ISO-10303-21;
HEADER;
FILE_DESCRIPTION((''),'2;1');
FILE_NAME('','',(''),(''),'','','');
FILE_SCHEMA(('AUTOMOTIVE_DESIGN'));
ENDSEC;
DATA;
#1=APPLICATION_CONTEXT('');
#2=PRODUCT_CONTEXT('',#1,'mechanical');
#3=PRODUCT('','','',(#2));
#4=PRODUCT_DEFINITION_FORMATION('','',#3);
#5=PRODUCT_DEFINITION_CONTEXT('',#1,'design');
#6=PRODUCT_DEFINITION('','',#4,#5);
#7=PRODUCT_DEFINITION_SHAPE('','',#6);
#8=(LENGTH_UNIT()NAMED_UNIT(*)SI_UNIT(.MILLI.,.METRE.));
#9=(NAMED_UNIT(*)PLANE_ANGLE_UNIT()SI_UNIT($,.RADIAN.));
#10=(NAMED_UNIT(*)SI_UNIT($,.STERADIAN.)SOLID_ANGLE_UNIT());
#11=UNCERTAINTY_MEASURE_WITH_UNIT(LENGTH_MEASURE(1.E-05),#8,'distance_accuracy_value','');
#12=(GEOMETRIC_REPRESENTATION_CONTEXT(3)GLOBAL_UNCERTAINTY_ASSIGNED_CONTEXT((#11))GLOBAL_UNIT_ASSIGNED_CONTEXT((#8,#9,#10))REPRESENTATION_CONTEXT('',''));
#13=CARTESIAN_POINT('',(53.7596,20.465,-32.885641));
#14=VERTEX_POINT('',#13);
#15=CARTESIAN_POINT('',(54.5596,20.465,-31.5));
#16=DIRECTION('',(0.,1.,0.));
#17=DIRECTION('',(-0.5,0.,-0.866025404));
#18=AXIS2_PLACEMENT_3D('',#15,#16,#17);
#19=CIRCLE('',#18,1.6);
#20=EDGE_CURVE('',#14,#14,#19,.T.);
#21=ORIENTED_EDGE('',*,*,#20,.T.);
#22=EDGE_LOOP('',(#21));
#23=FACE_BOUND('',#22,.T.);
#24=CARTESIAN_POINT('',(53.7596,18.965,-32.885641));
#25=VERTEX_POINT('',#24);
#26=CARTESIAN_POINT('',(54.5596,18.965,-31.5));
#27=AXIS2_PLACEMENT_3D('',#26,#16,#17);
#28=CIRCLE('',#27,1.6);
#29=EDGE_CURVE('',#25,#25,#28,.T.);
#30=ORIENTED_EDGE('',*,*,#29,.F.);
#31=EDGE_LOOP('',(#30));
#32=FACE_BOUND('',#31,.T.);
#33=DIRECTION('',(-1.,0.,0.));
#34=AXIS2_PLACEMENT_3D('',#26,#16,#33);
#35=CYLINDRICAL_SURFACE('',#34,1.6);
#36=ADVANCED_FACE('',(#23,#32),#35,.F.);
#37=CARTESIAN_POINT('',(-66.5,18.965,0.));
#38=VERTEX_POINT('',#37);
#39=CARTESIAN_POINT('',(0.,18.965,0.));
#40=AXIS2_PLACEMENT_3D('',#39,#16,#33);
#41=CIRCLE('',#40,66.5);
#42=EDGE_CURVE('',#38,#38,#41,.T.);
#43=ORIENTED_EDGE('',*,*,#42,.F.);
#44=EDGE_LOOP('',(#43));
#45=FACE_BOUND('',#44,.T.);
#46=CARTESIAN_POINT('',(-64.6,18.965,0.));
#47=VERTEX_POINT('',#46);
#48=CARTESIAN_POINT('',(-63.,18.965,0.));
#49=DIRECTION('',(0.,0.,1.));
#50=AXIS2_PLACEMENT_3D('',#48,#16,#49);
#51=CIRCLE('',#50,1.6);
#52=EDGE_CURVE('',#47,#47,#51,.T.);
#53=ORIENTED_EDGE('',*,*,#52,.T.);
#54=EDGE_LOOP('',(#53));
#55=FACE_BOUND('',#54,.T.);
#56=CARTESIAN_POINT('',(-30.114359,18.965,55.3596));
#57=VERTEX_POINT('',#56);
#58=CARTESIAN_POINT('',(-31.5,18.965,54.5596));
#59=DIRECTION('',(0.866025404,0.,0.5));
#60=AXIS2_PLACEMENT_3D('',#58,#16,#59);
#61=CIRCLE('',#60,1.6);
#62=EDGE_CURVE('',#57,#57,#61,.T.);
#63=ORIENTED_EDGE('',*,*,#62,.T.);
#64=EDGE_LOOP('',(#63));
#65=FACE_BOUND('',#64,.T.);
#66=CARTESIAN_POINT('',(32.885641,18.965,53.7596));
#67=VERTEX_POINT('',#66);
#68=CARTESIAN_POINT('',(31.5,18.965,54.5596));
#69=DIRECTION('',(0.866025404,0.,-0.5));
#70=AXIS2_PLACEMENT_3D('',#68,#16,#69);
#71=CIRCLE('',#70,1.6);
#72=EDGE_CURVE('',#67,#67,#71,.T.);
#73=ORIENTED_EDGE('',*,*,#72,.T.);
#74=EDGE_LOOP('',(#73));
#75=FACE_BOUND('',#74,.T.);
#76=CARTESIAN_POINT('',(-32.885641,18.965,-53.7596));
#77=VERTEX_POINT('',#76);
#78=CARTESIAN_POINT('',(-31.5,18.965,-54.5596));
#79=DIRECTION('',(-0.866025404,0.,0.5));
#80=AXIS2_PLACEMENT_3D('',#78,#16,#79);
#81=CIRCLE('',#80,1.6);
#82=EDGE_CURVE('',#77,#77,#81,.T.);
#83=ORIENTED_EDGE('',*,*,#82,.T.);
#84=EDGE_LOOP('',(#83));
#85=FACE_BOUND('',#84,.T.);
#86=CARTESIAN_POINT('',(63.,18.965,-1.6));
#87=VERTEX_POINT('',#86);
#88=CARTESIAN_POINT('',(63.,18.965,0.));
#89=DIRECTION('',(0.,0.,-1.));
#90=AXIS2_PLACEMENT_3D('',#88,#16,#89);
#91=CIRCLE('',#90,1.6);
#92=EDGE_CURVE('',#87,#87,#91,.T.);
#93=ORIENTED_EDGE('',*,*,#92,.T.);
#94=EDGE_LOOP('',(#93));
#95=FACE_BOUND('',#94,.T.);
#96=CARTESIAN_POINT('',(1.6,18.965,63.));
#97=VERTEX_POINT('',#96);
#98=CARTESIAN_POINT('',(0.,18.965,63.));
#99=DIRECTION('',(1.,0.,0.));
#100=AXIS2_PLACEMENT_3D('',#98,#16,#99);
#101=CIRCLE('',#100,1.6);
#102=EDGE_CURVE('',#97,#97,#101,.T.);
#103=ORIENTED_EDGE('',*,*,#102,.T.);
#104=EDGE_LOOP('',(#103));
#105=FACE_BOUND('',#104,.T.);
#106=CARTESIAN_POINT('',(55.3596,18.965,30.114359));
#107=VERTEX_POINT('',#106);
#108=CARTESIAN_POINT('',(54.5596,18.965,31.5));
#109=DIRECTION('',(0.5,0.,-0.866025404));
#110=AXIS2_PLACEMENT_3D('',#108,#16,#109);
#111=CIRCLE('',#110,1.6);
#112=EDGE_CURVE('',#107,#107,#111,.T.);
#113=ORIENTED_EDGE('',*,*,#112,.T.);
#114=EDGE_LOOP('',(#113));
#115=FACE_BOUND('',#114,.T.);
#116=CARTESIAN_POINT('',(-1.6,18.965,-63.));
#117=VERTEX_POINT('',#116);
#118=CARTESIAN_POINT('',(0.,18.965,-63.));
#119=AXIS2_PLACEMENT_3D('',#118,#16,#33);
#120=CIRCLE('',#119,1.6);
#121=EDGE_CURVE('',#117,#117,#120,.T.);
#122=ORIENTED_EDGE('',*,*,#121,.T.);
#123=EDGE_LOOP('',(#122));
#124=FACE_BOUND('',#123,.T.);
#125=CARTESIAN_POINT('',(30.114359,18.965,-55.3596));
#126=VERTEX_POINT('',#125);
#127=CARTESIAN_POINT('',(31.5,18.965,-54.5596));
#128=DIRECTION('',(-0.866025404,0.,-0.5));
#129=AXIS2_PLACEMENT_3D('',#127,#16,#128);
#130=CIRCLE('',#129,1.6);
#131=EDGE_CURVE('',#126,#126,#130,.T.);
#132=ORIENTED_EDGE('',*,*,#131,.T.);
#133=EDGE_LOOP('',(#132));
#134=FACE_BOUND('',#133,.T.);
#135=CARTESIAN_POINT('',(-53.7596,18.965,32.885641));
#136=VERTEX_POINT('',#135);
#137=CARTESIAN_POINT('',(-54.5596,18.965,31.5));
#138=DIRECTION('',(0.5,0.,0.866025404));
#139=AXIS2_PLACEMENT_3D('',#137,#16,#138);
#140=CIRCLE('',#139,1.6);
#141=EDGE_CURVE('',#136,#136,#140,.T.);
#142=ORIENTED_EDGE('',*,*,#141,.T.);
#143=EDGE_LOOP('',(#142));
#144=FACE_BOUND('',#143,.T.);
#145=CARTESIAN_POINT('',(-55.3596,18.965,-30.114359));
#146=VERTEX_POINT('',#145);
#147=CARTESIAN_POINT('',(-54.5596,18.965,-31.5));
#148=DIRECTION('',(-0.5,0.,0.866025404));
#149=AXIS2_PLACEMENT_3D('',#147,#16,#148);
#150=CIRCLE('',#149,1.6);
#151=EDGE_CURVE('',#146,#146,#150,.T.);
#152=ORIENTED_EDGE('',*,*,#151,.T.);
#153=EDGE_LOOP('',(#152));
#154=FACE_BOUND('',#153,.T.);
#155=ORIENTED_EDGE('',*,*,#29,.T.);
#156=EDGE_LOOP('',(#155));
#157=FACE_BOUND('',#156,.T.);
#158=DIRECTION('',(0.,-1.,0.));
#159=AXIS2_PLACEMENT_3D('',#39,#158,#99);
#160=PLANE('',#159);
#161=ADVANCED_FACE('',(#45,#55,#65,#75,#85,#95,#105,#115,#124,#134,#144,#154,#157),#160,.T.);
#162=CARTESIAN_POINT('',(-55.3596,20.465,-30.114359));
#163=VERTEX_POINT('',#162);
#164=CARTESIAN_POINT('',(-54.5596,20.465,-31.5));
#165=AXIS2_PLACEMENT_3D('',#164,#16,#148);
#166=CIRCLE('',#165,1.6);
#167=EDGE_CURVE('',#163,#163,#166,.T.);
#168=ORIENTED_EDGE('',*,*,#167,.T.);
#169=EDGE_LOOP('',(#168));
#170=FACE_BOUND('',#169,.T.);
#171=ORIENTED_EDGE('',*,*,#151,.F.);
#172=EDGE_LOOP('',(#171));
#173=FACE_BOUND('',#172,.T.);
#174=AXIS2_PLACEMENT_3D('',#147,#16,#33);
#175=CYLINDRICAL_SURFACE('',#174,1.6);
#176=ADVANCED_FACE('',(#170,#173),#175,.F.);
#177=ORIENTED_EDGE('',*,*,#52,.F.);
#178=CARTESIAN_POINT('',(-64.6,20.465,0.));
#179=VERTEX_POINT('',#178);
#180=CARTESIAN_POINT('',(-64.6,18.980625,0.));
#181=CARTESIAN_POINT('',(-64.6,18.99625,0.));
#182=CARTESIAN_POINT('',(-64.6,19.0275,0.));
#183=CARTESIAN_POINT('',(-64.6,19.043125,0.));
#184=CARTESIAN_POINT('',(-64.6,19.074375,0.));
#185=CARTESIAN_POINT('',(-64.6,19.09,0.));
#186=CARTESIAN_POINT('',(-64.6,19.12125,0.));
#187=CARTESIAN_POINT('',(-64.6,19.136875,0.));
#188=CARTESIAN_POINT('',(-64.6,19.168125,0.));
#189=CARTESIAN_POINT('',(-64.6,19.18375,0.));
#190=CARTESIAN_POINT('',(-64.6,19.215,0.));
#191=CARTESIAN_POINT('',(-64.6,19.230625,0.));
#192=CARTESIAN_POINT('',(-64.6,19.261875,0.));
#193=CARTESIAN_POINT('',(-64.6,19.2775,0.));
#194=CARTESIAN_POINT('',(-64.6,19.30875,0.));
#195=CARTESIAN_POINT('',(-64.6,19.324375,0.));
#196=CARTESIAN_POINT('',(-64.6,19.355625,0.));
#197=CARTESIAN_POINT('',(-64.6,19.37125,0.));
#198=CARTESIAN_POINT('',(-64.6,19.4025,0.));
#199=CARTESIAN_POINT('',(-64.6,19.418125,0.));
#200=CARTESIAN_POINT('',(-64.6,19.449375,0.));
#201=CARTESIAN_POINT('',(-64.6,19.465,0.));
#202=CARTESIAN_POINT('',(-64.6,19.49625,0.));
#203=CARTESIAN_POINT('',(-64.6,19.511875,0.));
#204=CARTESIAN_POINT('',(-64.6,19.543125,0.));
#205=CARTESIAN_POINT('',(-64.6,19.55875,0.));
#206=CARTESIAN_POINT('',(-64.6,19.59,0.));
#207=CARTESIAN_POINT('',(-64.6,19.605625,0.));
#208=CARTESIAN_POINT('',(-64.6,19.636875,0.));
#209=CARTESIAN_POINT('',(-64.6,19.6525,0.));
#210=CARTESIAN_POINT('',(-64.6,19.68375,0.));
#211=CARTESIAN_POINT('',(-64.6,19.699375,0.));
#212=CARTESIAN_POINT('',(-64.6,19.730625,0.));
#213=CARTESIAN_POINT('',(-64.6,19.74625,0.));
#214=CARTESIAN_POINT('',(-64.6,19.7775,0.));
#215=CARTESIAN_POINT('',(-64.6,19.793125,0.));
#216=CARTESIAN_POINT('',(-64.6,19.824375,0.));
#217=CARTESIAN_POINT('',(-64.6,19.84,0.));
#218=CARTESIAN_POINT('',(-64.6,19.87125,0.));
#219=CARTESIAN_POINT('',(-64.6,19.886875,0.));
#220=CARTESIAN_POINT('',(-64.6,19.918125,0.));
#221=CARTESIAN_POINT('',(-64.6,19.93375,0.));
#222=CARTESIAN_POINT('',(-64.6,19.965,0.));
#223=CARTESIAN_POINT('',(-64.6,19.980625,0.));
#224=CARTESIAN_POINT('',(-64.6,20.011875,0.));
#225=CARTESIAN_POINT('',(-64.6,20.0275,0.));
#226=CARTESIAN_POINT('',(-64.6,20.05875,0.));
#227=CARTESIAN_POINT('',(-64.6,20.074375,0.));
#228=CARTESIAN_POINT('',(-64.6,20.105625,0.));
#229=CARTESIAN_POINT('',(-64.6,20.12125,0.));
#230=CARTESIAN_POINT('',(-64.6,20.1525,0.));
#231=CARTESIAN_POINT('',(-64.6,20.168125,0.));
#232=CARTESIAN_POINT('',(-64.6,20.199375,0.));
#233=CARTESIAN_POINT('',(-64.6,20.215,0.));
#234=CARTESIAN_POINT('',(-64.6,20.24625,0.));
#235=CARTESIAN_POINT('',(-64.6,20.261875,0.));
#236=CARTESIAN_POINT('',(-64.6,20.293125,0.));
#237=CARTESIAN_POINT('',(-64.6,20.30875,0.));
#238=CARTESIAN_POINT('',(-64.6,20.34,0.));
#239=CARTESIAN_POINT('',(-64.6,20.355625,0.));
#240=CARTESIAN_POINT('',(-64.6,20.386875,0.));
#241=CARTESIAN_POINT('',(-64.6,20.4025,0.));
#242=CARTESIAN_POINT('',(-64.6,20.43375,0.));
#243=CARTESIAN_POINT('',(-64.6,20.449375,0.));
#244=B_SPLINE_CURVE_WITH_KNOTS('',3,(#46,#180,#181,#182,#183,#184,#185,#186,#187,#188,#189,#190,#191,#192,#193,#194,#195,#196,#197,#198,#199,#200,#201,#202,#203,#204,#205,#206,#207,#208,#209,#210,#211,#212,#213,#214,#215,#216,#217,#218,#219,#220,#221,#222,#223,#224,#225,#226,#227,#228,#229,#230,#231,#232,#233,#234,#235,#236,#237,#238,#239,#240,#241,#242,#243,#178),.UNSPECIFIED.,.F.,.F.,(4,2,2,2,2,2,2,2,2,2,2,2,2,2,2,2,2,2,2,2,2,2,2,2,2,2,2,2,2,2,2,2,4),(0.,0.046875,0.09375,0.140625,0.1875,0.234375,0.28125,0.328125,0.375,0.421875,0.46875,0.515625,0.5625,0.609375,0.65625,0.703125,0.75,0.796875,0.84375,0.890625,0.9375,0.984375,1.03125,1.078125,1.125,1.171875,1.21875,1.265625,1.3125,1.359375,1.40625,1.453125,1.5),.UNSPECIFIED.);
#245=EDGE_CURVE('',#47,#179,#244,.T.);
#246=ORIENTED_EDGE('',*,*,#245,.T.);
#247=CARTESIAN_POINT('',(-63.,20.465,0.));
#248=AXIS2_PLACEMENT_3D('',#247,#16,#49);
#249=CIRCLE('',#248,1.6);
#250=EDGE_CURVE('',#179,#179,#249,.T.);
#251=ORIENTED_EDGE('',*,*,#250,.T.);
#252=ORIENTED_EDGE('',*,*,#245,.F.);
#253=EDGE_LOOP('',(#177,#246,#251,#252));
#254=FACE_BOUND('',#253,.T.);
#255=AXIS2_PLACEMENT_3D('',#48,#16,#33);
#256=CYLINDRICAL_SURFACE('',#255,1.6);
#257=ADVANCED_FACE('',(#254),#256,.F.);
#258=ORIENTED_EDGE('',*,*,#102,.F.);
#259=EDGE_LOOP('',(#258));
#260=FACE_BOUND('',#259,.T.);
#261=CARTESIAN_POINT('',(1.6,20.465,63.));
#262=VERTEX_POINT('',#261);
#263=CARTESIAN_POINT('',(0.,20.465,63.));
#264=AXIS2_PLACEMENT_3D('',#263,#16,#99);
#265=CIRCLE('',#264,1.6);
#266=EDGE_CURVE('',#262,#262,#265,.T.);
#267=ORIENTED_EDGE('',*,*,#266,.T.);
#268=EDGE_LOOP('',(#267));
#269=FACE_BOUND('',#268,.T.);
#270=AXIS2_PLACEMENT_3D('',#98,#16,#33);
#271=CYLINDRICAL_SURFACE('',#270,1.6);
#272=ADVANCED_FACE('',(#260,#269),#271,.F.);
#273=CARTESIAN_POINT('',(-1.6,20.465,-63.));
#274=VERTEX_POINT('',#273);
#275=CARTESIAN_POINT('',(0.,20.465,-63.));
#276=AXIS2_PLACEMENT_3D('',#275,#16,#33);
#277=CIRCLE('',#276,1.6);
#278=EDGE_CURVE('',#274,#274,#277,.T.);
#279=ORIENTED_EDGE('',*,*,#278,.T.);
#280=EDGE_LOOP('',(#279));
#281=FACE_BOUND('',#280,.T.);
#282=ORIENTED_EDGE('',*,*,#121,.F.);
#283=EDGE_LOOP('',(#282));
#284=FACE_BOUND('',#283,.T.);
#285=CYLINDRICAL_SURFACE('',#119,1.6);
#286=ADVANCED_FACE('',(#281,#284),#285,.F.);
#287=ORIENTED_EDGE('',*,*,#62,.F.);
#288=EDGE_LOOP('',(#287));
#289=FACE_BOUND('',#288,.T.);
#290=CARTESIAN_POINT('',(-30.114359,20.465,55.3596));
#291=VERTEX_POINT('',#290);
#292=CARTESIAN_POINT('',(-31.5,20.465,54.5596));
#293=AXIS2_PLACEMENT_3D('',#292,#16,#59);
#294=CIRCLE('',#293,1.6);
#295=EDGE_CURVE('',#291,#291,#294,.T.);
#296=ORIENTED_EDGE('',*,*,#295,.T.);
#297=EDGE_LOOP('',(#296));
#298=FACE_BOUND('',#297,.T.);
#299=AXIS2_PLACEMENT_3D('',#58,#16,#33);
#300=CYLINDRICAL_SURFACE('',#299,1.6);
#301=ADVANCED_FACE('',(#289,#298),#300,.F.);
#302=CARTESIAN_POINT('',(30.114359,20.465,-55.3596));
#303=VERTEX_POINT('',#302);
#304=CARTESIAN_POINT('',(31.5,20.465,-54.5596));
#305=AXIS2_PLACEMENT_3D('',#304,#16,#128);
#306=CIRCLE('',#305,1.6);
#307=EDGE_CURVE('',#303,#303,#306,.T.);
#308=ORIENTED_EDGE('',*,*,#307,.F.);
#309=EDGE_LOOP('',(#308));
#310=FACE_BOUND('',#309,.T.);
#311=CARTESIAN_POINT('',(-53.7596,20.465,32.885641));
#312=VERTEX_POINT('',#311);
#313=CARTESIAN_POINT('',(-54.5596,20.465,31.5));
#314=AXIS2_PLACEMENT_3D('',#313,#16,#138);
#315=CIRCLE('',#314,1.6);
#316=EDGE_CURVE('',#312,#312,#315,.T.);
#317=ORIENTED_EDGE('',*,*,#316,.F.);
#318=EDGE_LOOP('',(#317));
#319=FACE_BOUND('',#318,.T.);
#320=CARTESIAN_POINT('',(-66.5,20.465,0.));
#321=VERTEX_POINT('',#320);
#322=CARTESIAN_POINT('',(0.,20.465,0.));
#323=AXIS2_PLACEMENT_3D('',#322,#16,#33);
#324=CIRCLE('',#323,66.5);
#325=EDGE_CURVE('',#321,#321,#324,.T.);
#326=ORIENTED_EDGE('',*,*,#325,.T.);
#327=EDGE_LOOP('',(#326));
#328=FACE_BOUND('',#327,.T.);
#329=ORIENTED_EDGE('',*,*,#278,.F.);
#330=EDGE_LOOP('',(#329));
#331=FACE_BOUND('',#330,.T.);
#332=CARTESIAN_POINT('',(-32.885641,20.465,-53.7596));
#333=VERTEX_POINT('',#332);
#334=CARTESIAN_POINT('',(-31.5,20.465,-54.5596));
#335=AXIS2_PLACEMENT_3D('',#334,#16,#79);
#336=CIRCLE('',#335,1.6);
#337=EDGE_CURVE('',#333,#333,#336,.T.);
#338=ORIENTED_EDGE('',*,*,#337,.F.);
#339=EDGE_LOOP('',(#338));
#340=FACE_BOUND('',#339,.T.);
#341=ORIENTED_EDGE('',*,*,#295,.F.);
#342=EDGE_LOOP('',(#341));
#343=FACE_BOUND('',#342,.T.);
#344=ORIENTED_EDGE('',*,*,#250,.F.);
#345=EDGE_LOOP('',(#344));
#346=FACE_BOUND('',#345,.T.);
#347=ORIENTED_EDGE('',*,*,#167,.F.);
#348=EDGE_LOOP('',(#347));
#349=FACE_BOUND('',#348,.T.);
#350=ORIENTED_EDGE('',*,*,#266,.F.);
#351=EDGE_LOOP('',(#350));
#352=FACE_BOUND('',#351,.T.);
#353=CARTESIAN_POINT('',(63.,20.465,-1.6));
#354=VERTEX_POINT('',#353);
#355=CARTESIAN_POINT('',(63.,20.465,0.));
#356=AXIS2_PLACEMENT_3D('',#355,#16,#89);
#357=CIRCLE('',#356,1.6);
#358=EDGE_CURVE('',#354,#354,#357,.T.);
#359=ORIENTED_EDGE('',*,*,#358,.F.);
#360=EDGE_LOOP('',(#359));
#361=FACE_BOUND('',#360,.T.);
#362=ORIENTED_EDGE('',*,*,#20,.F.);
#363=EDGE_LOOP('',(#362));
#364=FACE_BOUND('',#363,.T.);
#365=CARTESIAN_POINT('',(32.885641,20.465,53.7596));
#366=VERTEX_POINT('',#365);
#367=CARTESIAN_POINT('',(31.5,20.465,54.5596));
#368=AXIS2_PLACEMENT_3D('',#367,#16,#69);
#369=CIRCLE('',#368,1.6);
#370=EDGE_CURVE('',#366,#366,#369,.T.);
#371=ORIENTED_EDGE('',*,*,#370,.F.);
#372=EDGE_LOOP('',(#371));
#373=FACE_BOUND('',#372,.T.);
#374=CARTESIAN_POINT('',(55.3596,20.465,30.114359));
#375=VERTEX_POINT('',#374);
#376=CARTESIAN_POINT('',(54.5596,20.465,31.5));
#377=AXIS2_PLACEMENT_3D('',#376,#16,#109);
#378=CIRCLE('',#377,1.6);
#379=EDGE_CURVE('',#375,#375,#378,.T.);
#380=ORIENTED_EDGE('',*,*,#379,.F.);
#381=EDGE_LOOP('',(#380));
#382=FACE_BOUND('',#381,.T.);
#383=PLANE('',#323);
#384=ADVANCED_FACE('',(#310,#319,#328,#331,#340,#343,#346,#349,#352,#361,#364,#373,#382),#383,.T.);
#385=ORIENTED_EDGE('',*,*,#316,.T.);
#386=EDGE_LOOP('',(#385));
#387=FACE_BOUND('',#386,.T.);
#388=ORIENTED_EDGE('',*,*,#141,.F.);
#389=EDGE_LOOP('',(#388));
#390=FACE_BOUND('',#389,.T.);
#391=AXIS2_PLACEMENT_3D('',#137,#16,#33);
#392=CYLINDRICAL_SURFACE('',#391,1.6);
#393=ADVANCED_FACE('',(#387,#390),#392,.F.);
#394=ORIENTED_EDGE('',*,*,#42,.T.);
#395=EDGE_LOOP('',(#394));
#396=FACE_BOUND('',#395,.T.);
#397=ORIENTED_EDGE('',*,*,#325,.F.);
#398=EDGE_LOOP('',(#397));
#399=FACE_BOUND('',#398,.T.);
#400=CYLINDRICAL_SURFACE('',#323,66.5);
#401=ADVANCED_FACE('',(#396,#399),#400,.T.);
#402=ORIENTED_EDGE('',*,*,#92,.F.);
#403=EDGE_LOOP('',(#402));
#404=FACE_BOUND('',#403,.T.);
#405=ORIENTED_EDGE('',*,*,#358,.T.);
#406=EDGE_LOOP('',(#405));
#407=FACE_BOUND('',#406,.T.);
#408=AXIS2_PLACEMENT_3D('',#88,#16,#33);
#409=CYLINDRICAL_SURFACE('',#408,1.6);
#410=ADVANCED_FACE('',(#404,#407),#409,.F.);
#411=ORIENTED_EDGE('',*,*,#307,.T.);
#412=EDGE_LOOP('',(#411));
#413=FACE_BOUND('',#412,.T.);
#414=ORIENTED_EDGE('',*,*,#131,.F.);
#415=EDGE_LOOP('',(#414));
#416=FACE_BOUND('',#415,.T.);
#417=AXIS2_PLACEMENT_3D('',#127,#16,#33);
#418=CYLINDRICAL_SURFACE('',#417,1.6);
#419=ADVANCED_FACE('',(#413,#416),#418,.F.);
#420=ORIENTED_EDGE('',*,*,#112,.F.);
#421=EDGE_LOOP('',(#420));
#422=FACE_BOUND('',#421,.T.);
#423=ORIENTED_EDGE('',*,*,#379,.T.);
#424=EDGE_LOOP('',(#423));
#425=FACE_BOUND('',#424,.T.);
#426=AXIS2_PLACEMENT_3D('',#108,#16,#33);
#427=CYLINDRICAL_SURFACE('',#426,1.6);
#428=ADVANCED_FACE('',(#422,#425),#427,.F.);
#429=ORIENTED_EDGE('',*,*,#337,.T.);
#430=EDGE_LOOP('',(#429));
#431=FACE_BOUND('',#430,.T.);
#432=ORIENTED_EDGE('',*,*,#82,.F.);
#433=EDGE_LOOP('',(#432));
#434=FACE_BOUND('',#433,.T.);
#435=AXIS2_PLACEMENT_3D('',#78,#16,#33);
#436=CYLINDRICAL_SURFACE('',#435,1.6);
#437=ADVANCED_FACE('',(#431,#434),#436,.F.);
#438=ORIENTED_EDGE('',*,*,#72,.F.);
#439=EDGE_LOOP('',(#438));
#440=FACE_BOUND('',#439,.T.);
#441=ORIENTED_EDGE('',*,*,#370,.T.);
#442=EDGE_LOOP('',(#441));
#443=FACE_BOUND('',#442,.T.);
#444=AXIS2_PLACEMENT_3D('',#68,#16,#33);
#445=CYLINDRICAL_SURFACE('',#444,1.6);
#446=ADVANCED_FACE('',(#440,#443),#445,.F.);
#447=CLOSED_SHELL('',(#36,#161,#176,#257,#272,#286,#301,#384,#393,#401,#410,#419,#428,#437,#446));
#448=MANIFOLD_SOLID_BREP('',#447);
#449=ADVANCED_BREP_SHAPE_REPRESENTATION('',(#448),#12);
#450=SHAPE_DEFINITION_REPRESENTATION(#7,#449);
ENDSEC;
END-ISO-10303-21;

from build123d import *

# Parameters (mm, degrees)
SKETCH1_W          = 66.5
SKETCH1_H          = 1.5
SKETCH7_R          = 1.6
CUT_EXTRUDE1_DEPTH = 95.05716347
CIRPATTERN2_COUNT  = 12


with BuildPart() as part:
    # Sketch1 → Revolve1 (revolve)
    with BuildSketch(Plane.XY):
        with Locations((-33.25, 19.715)):
            Rectangle(SKETCH1_W, SKETCH1_H)
    revolve(axis=Axis((0, 20.465, 0), (0, -1, 0)))

    # Sketch7 → Cut-Extrude1 (cut, through all)
    with BuildSketch(Plane(origin=(0, 20.465, 0), x_dir=(1, 0, 0), z_dir=(0, 1, 0))):
        with Locations(Location((0, 63, 0), (0, 0, 180))):
            Circle(SKETCH7_R)
    cut_extrude1 = extrude(amount=-CUT_EXTRUDE1_DEPTH, mode=Mode.SUBTRACT)

    # CirPattern2: Cut-Extrude1 ×12 about axis
    cirpattern2_axis = Axis((0, 0, 0), (0, 1, 0))
    for i in range(1, CIRPATTERN2_COUNT):
        add(cut_extrude1.rotate(cirpattern2_axis, i * 360 / CIRPATTERN2_COUNT), mode=Mode.SUBTRACT)


solid = part.part
